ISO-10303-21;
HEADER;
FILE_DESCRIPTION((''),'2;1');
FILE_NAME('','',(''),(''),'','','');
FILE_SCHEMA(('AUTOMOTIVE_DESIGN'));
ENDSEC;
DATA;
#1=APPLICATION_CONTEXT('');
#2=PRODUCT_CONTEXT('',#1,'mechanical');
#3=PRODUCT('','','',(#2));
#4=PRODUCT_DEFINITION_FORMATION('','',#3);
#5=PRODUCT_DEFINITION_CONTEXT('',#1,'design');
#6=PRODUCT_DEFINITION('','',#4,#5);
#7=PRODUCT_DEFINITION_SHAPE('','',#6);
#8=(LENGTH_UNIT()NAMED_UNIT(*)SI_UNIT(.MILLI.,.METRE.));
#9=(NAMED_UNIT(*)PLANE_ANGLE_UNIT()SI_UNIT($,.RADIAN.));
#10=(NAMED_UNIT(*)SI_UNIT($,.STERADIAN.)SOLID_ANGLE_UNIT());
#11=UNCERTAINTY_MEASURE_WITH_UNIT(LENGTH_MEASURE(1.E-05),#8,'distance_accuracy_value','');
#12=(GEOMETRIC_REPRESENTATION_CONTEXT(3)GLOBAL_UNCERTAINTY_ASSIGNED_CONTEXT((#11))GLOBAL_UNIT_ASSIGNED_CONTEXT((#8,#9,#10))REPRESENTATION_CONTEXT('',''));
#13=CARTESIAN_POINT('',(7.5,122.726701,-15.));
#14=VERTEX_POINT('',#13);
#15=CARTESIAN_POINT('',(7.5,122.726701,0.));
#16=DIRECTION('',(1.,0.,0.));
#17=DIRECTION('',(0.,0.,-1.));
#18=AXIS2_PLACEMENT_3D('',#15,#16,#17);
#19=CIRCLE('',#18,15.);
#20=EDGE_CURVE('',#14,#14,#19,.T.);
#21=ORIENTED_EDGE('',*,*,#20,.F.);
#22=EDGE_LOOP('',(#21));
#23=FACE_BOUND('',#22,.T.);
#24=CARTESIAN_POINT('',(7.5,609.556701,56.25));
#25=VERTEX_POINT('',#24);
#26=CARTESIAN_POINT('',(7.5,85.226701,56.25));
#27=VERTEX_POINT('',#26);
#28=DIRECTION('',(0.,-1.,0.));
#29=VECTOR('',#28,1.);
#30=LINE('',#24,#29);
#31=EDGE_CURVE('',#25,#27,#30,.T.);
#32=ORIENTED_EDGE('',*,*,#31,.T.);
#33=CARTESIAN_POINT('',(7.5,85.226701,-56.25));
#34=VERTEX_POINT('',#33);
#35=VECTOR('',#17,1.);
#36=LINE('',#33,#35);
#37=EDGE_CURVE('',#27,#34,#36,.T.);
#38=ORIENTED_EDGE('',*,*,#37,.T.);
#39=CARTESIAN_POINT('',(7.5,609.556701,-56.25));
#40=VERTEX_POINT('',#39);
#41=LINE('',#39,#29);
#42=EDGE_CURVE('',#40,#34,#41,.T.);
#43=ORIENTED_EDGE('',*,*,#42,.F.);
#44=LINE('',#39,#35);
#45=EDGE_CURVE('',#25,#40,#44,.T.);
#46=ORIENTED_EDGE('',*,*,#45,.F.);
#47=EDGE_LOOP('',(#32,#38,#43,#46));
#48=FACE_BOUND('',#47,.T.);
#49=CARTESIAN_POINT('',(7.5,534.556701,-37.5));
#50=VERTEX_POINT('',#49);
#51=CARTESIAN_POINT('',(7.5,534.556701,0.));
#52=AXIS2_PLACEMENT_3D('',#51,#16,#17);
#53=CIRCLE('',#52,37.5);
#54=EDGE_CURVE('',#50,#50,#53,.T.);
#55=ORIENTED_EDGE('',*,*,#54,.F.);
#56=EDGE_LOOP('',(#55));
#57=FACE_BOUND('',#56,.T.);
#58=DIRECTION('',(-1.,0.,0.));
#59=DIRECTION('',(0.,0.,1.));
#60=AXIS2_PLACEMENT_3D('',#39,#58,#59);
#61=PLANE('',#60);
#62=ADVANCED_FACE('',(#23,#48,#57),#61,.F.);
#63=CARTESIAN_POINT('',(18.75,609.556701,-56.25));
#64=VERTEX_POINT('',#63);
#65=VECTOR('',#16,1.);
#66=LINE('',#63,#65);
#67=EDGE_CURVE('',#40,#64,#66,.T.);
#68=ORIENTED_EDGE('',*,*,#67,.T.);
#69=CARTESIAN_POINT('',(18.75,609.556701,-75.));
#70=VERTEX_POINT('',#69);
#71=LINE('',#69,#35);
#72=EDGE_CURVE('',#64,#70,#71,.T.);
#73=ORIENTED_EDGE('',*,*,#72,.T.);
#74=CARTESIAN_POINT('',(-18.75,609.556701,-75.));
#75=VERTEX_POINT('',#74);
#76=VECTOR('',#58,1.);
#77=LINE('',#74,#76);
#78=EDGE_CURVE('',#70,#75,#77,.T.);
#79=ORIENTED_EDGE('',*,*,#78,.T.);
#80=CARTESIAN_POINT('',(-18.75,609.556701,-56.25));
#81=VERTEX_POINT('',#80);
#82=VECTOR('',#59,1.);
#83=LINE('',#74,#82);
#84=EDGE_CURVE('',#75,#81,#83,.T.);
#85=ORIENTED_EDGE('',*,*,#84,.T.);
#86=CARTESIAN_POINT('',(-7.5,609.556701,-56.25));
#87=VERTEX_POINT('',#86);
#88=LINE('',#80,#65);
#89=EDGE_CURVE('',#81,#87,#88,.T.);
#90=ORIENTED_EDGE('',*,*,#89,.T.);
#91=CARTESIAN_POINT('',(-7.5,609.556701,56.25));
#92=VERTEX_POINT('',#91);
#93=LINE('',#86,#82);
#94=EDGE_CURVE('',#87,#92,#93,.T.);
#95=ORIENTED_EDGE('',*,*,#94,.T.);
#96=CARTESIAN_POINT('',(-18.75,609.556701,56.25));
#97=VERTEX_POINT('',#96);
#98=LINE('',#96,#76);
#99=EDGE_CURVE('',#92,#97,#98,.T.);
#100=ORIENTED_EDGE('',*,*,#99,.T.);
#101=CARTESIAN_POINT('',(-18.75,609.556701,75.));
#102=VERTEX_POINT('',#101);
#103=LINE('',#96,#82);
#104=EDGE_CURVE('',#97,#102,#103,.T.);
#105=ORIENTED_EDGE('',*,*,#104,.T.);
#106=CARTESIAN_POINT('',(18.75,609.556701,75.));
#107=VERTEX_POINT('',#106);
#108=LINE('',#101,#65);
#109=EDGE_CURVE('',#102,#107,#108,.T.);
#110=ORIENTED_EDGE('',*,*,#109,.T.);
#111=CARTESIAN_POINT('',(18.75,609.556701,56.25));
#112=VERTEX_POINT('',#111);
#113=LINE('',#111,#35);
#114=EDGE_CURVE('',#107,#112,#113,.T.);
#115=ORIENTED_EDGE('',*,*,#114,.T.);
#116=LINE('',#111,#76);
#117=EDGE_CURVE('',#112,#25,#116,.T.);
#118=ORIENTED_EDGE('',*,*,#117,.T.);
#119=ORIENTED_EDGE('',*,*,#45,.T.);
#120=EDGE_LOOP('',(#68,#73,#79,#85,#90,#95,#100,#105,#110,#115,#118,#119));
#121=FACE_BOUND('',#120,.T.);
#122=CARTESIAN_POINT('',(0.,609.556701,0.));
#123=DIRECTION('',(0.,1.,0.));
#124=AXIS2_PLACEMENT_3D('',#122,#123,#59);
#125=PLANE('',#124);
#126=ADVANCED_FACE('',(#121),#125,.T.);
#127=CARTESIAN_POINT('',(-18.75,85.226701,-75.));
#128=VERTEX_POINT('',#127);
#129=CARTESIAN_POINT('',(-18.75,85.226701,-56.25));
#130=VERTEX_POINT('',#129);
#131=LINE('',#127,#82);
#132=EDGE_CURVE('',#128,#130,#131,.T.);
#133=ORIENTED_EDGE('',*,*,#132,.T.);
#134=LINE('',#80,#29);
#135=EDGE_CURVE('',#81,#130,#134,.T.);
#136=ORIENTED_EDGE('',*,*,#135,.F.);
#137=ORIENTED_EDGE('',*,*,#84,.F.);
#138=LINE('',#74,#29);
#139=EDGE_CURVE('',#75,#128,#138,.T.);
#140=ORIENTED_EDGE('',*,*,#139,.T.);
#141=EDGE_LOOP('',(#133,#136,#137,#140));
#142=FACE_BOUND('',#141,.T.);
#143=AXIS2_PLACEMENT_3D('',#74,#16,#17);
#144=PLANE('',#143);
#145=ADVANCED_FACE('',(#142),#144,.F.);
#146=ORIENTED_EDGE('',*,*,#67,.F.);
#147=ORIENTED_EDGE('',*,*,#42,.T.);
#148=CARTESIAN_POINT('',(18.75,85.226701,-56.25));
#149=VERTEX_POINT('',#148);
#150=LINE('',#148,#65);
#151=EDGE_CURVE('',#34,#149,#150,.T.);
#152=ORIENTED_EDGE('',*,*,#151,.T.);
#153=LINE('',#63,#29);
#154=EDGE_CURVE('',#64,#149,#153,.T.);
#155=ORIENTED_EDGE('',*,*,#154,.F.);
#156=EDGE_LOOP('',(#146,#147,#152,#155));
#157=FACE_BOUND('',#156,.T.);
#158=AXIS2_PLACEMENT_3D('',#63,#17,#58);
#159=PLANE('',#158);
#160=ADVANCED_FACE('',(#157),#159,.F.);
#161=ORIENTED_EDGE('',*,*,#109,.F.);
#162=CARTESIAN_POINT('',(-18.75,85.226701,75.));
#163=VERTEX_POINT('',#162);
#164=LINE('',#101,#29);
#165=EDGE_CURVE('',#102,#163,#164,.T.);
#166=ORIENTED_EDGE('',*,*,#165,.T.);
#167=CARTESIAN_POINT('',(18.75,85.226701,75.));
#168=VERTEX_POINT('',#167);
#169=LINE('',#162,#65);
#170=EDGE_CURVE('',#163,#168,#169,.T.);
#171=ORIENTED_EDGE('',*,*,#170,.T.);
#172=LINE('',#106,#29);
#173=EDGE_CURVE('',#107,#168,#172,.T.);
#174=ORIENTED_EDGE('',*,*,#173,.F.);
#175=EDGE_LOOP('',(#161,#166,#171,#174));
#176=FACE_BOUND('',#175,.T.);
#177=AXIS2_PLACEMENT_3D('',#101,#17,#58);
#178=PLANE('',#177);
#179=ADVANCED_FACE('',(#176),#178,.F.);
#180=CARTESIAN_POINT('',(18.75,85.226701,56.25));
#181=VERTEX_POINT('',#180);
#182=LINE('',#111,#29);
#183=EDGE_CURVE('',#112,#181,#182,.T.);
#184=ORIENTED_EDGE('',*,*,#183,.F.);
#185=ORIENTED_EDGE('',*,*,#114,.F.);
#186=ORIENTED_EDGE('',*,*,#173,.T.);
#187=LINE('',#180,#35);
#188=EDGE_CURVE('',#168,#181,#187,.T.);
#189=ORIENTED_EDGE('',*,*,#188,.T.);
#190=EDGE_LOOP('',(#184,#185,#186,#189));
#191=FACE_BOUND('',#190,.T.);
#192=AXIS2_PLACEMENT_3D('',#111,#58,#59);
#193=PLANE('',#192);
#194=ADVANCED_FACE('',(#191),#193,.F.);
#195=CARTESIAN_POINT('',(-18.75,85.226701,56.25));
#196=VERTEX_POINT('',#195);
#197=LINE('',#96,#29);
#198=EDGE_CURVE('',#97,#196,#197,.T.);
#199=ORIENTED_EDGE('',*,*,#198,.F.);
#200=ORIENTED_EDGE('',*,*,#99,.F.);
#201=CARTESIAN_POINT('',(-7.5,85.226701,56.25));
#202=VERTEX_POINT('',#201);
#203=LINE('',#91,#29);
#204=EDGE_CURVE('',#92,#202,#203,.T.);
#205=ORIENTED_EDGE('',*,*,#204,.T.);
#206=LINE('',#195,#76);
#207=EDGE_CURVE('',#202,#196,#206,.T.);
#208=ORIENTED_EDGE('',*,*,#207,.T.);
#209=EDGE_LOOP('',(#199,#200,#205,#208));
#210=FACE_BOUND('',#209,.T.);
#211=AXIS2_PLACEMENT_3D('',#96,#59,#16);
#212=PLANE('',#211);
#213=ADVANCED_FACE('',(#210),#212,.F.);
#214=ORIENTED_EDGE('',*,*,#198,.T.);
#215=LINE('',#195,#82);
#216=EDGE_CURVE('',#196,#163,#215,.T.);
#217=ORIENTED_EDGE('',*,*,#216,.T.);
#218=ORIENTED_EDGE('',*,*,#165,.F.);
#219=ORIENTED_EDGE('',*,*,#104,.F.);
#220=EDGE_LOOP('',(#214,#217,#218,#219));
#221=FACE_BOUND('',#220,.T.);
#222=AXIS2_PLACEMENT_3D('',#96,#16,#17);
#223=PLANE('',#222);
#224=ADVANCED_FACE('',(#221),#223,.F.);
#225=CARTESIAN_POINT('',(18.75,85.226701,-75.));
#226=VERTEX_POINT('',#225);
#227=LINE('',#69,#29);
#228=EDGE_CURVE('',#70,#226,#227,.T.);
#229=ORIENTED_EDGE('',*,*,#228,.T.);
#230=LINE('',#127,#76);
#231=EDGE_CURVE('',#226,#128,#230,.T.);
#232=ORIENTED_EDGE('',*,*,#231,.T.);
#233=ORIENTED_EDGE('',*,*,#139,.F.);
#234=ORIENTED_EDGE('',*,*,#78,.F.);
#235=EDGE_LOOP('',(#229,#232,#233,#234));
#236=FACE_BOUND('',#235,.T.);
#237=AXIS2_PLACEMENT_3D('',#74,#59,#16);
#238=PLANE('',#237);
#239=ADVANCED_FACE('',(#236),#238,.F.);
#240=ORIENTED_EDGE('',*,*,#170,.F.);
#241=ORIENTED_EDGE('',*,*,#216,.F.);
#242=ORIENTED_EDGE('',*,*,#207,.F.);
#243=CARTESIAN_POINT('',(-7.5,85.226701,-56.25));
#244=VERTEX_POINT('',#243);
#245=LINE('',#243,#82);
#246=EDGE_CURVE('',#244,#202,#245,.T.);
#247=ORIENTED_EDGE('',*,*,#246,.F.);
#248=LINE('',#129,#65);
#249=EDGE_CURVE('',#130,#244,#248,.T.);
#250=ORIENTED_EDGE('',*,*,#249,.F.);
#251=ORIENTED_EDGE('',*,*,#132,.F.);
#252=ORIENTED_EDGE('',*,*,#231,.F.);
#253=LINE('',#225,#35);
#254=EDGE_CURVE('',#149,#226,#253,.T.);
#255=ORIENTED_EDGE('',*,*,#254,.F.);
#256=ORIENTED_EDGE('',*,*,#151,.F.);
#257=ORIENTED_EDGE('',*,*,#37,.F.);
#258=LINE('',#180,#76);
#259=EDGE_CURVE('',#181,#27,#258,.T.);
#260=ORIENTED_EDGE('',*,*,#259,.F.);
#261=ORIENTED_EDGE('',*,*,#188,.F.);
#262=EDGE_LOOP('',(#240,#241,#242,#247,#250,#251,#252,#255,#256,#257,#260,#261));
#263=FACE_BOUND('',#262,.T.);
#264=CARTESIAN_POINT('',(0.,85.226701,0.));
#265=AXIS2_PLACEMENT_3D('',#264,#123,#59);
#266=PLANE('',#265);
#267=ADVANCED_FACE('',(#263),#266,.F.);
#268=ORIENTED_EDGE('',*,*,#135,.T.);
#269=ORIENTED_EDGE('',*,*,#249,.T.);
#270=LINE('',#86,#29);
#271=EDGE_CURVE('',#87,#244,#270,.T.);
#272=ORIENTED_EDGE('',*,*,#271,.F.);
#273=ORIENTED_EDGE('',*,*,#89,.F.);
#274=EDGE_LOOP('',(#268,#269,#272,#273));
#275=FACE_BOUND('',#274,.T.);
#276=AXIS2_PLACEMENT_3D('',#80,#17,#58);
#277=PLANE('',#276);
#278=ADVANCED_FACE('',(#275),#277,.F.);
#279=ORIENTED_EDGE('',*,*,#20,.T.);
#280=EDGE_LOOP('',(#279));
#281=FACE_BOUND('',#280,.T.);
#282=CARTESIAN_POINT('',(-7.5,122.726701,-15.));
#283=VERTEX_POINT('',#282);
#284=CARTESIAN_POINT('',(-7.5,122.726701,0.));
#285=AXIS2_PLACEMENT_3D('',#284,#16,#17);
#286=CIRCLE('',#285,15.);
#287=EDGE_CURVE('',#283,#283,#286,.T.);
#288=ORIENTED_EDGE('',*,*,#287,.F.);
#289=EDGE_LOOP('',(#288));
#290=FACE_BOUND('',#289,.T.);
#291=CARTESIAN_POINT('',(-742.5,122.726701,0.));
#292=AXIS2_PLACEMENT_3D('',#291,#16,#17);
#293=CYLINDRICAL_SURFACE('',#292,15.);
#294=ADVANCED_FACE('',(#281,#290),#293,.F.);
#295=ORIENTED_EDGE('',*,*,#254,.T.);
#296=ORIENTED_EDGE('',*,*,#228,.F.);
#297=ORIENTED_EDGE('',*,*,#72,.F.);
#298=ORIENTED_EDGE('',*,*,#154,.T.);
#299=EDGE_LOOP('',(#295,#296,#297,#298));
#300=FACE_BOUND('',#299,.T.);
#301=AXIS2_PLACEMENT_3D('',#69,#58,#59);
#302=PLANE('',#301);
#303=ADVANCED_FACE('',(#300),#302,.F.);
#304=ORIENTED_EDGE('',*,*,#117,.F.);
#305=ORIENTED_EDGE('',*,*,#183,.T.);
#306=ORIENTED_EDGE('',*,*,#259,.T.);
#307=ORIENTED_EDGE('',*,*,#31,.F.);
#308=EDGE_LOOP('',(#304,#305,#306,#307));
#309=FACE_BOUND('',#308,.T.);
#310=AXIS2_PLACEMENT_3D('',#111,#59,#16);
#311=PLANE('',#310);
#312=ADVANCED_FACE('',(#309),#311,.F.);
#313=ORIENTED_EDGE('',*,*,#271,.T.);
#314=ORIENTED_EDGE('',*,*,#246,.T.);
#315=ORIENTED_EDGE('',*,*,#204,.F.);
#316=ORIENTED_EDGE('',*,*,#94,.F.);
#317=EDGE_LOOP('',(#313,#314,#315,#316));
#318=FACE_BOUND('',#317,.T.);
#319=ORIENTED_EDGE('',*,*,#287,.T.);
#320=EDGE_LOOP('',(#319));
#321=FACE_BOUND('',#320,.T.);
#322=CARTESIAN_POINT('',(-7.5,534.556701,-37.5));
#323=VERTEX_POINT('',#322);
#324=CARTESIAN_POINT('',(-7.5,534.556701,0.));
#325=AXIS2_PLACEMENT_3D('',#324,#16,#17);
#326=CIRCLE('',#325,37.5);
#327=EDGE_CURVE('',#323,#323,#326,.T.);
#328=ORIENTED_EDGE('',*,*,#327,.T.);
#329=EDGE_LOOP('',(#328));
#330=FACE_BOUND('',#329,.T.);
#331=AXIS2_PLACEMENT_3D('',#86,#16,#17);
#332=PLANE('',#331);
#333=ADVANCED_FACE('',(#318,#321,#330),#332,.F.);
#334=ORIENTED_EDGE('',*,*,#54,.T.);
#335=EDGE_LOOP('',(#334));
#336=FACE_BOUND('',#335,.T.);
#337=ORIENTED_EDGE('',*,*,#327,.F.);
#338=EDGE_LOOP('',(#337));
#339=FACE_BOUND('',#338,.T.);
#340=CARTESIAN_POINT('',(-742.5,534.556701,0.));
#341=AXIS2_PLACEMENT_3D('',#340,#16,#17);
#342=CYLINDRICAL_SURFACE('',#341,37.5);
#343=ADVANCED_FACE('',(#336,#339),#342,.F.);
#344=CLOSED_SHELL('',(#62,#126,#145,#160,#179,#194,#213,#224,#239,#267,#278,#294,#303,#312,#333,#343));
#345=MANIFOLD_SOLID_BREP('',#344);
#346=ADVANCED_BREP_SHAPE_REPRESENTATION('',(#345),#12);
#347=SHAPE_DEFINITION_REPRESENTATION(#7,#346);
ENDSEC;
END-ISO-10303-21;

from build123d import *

# Parameters (mm, degrees)
BOSS_EXTRUDE1_DEPTH = 699.106666667
SKETCH2_R           = 50
SKETCH2_R_2         = 20
CUT_EXTRUDE1_DEPTH  = 1000
SCALE1_SCALE        = 0.75


with BuildPart() as part:
    # Sketch1 → Boss-Extrude1 (new body)
    with BuildSketch(Plane(origin=(0, 0, 0), x_dir=(1, 0, 0), z_dir=(0, 1, 0))):
        Polygon((-25, -75), (-25, -100), (25, -100), (25, -75), (10, -75), (10, 75), (25, 75), (25, 100), (-25, 100), (-25, 75), (-10, 75), (-10, -75), align=None)
    extrude(amount=BOSS_EXTRUDE1_DEPTH)

    # Sketch2 → Cut-Extrude1 (cut)
    with BuildSketch(Plane(origin=(10, 0, 0), x_dir=(0, 0, -1), z_dir=(1, 0, 0))):
        with Locations((0, 599.106666667)):
            Circle(SKETCH2_R)
        with Locations((0, 50)):
            Circle(SKETCH2_R_2)
    extrude(amount=-CUT_EXTRUDE1_DEPTH, mode=Mode.SUBTRACT)


with BuildPart() as part_1:
    # Scale1: scaled about (0, 340.906804135, 0)
    add(part.part.scale(SCALE1_SCALE).moved(Location((0, 85.226701034, 0))))


solid = part_1.part
